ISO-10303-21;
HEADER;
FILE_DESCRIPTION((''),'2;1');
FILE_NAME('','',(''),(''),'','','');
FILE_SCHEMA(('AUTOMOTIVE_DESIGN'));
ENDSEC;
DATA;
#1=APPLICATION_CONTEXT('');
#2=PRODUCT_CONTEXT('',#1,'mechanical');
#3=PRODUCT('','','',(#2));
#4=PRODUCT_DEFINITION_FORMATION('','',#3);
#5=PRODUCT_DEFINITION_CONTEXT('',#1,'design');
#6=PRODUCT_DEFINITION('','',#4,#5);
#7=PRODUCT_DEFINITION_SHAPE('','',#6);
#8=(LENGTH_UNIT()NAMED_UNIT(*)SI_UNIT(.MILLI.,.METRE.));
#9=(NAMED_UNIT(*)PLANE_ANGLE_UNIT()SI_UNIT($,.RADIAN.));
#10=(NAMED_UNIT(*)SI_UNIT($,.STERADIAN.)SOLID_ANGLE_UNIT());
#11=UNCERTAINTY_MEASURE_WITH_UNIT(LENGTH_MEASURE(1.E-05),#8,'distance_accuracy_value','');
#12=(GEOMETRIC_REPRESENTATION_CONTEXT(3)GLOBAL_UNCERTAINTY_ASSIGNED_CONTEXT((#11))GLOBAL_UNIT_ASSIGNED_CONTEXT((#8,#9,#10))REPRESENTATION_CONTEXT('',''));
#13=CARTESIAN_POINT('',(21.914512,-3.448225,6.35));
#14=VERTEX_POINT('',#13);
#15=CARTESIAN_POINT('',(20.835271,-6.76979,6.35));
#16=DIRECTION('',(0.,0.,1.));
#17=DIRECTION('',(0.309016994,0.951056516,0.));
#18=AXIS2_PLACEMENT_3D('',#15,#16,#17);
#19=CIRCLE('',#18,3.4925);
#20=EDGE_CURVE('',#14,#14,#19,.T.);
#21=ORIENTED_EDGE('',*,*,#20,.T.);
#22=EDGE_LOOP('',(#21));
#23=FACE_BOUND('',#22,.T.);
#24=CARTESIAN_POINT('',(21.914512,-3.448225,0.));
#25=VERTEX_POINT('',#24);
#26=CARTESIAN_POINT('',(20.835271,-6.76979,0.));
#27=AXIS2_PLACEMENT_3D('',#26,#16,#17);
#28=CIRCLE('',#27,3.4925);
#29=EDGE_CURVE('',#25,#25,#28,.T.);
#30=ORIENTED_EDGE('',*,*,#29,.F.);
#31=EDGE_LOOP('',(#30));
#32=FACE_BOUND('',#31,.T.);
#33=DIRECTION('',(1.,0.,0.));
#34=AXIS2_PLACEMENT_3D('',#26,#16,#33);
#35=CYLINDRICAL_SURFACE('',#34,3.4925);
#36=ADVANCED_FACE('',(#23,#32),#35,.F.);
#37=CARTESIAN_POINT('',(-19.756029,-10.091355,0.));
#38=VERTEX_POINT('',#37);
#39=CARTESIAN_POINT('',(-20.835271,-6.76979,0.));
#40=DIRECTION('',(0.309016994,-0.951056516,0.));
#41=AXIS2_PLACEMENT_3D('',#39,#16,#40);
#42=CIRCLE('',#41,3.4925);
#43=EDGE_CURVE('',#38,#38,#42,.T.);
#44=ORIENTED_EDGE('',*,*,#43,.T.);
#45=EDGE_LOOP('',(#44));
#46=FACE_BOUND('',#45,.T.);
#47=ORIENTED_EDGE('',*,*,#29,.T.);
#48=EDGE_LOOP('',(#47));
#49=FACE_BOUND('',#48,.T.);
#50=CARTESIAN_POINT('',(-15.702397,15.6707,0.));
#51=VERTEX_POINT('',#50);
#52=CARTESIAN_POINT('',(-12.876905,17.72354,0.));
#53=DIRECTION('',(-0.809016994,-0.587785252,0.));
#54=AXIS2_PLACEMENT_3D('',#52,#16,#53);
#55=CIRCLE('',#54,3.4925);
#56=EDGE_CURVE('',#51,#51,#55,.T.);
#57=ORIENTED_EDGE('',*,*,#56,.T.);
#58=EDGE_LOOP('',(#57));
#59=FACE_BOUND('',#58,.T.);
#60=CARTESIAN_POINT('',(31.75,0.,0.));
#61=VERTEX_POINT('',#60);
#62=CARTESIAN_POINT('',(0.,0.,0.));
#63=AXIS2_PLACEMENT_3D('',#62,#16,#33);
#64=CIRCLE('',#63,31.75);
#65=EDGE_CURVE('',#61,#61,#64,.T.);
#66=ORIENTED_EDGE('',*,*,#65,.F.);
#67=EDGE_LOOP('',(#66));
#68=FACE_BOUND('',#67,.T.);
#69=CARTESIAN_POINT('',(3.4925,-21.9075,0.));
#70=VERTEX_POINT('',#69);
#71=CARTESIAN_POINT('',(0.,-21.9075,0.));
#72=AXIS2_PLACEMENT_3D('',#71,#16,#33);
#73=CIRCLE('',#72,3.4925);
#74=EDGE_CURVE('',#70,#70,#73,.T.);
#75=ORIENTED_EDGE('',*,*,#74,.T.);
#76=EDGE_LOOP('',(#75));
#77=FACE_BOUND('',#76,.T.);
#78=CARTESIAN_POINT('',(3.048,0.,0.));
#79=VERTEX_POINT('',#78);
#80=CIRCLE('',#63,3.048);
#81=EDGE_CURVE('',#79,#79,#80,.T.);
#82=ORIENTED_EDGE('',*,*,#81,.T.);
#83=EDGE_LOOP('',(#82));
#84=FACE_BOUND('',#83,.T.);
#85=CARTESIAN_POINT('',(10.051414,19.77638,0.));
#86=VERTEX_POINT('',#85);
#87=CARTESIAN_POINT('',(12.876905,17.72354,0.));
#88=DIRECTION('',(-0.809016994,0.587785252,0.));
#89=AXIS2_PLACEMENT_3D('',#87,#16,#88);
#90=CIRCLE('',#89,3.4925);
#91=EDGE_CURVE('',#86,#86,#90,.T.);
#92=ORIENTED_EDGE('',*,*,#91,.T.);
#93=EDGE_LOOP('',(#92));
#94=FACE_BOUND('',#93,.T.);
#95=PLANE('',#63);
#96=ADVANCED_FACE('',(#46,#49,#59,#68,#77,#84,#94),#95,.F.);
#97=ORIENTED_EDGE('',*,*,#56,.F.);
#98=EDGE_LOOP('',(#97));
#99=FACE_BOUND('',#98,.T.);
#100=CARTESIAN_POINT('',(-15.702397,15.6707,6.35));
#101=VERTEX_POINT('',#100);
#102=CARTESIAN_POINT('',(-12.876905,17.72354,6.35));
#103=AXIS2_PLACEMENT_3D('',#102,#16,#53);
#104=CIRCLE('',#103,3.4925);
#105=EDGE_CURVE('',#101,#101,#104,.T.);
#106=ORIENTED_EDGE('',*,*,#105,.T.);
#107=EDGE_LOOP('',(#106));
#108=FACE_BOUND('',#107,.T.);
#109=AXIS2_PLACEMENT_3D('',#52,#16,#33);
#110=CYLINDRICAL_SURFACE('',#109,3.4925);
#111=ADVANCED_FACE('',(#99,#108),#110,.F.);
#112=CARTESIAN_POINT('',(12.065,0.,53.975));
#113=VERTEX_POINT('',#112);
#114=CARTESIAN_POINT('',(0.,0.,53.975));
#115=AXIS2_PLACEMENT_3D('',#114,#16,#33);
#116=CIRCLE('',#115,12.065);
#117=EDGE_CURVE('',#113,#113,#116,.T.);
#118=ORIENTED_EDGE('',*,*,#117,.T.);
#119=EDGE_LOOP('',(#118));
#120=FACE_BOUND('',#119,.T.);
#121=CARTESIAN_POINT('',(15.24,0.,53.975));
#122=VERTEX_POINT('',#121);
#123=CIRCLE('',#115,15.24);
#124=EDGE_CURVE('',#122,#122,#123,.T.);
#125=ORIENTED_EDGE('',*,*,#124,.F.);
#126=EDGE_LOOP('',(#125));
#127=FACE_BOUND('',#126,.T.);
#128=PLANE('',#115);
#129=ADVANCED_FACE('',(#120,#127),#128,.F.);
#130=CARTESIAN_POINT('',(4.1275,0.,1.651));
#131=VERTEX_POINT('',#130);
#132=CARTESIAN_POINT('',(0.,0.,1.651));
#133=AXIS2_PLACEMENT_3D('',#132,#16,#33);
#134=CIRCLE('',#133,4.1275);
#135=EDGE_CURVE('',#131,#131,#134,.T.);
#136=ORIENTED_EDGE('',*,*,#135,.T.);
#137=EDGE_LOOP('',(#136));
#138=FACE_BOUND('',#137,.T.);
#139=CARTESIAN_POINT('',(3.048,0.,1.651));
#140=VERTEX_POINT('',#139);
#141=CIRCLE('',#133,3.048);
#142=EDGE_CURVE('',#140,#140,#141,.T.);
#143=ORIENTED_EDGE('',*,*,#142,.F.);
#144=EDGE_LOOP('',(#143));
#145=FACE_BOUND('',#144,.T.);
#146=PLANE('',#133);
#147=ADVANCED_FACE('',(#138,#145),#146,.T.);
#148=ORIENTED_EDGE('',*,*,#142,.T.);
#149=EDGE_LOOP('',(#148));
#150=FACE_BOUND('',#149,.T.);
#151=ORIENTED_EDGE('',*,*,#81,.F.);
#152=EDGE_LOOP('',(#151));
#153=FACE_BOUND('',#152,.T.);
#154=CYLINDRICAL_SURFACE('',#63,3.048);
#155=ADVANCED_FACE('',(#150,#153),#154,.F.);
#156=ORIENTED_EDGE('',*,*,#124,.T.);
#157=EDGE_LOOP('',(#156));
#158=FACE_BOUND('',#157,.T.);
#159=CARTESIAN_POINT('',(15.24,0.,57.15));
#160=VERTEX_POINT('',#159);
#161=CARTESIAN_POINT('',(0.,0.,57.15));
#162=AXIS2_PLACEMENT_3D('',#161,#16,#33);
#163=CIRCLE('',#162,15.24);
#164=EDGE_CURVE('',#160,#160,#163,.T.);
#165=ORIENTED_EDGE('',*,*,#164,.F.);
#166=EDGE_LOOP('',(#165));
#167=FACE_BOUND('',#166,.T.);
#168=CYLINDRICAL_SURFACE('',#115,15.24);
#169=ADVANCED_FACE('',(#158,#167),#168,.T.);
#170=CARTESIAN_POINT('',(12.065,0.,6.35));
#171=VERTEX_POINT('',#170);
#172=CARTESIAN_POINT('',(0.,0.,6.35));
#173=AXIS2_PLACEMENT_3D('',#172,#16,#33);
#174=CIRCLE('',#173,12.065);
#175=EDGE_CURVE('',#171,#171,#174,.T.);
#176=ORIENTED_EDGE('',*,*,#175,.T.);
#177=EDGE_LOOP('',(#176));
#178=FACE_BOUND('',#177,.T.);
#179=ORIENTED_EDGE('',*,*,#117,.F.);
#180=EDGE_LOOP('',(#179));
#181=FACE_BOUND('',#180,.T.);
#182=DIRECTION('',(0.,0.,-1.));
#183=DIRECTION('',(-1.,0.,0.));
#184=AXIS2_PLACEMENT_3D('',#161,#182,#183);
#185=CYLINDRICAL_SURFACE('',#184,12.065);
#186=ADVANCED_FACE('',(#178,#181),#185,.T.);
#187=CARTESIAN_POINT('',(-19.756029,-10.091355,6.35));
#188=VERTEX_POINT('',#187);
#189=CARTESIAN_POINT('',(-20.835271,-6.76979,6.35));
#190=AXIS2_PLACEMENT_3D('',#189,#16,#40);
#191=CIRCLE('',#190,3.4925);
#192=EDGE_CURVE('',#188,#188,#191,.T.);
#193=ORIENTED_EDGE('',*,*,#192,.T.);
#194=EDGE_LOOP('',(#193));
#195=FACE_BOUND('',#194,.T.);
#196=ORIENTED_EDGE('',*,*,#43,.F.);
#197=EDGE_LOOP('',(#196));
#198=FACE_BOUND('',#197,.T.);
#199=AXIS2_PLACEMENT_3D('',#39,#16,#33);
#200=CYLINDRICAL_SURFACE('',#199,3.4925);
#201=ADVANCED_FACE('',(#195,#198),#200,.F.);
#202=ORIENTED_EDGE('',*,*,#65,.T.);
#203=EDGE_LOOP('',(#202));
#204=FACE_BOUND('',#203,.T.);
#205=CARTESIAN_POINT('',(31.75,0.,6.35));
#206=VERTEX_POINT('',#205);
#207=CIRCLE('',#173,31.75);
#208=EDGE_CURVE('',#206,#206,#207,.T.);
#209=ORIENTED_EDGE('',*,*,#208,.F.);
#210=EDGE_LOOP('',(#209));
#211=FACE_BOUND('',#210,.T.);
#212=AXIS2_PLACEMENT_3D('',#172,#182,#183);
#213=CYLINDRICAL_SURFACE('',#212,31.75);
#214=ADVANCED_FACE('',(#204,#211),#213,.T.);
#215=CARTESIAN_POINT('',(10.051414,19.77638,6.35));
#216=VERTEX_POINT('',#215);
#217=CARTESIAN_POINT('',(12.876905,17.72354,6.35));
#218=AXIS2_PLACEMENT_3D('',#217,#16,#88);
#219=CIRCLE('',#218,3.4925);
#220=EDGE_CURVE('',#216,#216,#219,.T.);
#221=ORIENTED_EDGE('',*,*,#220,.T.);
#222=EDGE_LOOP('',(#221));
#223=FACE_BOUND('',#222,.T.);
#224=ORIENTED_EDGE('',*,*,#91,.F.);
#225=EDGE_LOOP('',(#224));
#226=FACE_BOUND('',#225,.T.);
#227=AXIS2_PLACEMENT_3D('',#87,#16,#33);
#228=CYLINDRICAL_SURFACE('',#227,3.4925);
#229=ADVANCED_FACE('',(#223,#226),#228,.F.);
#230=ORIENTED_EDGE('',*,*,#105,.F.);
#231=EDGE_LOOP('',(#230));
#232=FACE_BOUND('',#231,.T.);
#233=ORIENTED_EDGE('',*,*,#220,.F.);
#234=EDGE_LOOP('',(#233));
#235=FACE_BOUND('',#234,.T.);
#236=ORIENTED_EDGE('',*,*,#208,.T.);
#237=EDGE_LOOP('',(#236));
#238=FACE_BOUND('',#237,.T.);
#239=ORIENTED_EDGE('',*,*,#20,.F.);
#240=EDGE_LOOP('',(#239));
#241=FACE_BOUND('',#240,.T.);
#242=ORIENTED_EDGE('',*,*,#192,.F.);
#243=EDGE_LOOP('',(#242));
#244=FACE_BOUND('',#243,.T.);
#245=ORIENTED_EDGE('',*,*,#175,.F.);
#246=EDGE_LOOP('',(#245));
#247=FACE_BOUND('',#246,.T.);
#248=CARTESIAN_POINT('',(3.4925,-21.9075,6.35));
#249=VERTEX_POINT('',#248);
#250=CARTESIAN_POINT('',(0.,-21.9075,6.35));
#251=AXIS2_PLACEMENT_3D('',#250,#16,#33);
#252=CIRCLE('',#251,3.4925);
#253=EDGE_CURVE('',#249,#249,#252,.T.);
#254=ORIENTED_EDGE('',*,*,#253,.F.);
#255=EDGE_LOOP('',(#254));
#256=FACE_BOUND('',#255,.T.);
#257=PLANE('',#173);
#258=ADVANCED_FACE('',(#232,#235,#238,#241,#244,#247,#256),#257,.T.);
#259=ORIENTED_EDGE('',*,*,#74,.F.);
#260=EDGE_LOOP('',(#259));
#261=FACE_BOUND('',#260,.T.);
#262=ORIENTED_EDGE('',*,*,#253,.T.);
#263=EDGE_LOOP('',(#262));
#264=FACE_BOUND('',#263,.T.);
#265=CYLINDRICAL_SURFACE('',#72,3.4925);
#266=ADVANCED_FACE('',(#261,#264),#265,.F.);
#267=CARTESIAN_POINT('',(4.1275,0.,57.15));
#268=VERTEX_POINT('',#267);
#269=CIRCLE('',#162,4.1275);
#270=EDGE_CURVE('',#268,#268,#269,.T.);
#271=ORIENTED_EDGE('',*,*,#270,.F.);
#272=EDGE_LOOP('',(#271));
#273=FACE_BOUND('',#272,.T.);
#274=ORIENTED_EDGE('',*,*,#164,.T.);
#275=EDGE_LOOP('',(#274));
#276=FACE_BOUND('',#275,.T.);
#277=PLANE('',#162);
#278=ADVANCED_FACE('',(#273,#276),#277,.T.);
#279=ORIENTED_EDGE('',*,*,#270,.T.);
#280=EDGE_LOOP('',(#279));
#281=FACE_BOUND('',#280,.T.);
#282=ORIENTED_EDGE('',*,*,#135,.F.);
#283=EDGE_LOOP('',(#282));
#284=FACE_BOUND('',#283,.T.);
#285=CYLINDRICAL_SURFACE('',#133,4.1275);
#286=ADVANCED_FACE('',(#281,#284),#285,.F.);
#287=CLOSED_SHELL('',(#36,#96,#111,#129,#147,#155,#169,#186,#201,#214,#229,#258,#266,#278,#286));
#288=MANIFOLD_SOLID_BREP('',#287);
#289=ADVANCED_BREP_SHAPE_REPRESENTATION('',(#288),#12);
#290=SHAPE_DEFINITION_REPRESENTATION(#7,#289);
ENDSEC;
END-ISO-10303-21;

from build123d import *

# Parameters (mm, degrees)
SKETCH1_R           = 31.75
BOSS_EXTRUDE1_DEPTH = 6.35
SKETCH2_R           = 12.065
BOSS_EXTRUDE2_DEPTH = 50.8
BOSS_EXTRUDE3_START = -3.175
SKETCH4_R           = 15.24
SKETCH4_R_2         = 12.065
BOSS_EXTRUDE3_DEPTH = 3.175
SKETCH5_R           = 3.4925
CUT_EXTRUDE1_DEPTH  = 68.7994469
CIRPATTERN1_COUNT   = 5
SKETCH6_R           = 3.048
CUT_EXTRUDE2_DEPTH  = 73.679071953
SKETCH6_3_R         = 4.1275
SKETCH6_3_R_2       = 3.048
CUT_EXTRUDE3_DEPTH  = 55.499


with BuildPart() as part:
    # Sketch1 → Boss-Extrude1 (new body)
    with BuildSketch(Plane.XY):
        Circle(SKETCH1_R)
    extrude(amount=BOSS_EXTRUDE1_DEPTH)

    # Sketch2 → Boss-Extrude2 (add)
    with BuildSketch(Plane.XY.offset(6.35)):
        Circle(SKETCH2_R)
    extrude(amount=BOSS_EXTRUDE2_DEPTH)

    # Sketch4 → Boss-Extrude3 (add)
    with BuildSketch(Plane.XY.offset(57.15).offset(BOSS_EXTRUDE3_START)):
        Circle(SKETCH4_R)
        Circle(SKETCH4_R_2, mode=Mode.SUBTRACT)
    extrude(amount=BOSS_EXTRUDE3_DEPTH)

    # Sketch5 → Cut-Extrude1 (cut, through all)
    with BuildSketch(Plane.XY.offset(6.35)):
        with Locations((0, -21.9075)):
            Circle(SKETCH5_R)
    cut_extrude1 = extrude(amount=-CUT_EXTRUDE1_DEPTH, mode=Mode.SUBTRACT)

    # CirPattern1: Cut-Extrude1 ×5 about axis
    cirpattern1_axis = Axis((0, 0, 6.35), (0, 0, 1))
    for i in range(1, CIRPATTERN1_COUNT):
        add(cut_extrude1.rotate(cirpattern1_axis, i * 360 / CIRPATTERN1_COUNT), mode=Mode.SUBTRACT)

    # Sketch6 → Cut-Extrude2 (cut, through all)
    with BuildSketch(Plane.XY.offset(57.15)):
        Circle(SKETCH6_R)
    extrude(amount=-CUT_EXTRUDE2_DEPTH, mode=Mode.SUBTRACT)

    # Sketch6<3> → Cut-Extrude3 (cut)
    with BuildSketch(Plane.XY.offset(57.15)):
        Circle(SKETCH6_3_R)
        Circle(SKETCH6_3_R_2, mode=Mode.SUBTRACT)
    extrude(amount=-CUT_EXTRUDE3_DEPTH, mode=Mode.SUBTRACT)


solid = part.part
